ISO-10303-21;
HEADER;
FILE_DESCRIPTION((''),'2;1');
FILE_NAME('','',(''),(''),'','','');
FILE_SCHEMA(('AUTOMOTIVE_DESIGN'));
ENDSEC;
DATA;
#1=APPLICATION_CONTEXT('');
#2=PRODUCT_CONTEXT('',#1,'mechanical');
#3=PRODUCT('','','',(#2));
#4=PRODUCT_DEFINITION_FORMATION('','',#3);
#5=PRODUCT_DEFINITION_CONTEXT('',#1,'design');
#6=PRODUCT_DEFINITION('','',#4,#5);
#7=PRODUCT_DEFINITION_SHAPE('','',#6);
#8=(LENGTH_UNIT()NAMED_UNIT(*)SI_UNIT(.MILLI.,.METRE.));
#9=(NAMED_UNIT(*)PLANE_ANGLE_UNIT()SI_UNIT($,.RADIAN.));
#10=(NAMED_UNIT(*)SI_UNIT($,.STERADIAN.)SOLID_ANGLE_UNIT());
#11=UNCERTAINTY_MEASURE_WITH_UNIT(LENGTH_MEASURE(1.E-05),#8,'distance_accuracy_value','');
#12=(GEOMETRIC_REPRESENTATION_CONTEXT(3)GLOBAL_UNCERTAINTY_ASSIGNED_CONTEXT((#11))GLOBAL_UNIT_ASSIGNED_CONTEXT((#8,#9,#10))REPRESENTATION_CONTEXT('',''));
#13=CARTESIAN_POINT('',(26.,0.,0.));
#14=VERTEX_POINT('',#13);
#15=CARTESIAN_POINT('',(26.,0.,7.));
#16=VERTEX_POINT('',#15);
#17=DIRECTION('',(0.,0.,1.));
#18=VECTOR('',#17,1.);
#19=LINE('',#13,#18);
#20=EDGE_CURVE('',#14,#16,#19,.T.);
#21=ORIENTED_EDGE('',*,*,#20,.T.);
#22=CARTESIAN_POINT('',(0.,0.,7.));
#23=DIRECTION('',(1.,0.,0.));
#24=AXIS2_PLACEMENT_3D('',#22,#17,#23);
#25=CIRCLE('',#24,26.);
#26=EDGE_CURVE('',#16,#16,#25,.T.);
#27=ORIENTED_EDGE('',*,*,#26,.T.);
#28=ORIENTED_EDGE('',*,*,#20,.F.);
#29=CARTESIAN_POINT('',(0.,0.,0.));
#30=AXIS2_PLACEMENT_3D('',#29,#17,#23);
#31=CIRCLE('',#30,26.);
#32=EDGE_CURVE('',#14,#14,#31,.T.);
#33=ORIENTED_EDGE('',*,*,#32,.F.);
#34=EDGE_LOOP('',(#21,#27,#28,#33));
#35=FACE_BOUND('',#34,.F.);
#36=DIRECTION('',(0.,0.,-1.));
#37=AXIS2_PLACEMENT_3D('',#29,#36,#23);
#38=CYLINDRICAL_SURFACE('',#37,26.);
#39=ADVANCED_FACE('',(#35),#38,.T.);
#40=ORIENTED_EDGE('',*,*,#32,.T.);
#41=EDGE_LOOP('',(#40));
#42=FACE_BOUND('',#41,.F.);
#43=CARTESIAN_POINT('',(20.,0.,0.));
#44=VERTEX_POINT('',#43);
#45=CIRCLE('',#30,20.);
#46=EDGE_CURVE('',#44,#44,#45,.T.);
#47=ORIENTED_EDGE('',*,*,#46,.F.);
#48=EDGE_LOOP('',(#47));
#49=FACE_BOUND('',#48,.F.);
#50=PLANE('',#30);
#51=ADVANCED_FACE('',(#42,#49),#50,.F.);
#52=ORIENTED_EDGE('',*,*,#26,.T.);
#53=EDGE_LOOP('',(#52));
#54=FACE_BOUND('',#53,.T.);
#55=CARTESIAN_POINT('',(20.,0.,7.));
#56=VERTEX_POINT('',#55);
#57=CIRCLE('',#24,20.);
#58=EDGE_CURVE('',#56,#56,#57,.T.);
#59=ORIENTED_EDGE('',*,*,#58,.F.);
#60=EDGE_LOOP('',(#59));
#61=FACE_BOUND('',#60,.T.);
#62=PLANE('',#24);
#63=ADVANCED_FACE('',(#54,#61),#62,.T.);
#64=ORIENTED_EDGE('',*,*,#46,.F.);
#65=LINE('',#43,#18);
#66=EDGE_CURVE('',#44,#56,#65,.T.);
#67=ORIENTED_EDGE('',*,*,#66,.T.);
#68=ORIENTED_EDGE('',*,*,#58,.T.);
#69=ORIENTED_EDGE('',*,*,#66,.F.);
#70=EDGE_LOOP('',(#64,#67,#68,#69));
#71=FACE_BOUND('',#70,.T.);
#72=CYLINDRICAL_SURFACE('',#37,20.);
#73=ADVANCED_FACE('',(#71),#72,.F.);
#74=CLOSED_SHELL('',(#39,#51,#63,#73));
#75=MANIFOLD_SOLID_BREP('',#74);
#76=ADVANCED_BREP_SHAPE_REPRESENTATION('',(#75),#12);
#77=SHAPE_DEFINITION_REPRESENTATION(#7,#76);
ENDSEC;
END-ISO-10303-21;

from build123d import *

# Parameters (mm, degrees)
SKETCH_R   = 26
SKETCH_R_2 = 20
PAD_DEPTH  = 7


with BuildPart() as part:
    # Sketch → Pad (new body)
    with BuildSketch(Plane.XY):
        Circle(SKETCH_R)
        Circle(SKETCH_R_2, mode=Mode.SUBTRACT)
    extrude(amount=PAD_DEPTH)


solid = part.part
